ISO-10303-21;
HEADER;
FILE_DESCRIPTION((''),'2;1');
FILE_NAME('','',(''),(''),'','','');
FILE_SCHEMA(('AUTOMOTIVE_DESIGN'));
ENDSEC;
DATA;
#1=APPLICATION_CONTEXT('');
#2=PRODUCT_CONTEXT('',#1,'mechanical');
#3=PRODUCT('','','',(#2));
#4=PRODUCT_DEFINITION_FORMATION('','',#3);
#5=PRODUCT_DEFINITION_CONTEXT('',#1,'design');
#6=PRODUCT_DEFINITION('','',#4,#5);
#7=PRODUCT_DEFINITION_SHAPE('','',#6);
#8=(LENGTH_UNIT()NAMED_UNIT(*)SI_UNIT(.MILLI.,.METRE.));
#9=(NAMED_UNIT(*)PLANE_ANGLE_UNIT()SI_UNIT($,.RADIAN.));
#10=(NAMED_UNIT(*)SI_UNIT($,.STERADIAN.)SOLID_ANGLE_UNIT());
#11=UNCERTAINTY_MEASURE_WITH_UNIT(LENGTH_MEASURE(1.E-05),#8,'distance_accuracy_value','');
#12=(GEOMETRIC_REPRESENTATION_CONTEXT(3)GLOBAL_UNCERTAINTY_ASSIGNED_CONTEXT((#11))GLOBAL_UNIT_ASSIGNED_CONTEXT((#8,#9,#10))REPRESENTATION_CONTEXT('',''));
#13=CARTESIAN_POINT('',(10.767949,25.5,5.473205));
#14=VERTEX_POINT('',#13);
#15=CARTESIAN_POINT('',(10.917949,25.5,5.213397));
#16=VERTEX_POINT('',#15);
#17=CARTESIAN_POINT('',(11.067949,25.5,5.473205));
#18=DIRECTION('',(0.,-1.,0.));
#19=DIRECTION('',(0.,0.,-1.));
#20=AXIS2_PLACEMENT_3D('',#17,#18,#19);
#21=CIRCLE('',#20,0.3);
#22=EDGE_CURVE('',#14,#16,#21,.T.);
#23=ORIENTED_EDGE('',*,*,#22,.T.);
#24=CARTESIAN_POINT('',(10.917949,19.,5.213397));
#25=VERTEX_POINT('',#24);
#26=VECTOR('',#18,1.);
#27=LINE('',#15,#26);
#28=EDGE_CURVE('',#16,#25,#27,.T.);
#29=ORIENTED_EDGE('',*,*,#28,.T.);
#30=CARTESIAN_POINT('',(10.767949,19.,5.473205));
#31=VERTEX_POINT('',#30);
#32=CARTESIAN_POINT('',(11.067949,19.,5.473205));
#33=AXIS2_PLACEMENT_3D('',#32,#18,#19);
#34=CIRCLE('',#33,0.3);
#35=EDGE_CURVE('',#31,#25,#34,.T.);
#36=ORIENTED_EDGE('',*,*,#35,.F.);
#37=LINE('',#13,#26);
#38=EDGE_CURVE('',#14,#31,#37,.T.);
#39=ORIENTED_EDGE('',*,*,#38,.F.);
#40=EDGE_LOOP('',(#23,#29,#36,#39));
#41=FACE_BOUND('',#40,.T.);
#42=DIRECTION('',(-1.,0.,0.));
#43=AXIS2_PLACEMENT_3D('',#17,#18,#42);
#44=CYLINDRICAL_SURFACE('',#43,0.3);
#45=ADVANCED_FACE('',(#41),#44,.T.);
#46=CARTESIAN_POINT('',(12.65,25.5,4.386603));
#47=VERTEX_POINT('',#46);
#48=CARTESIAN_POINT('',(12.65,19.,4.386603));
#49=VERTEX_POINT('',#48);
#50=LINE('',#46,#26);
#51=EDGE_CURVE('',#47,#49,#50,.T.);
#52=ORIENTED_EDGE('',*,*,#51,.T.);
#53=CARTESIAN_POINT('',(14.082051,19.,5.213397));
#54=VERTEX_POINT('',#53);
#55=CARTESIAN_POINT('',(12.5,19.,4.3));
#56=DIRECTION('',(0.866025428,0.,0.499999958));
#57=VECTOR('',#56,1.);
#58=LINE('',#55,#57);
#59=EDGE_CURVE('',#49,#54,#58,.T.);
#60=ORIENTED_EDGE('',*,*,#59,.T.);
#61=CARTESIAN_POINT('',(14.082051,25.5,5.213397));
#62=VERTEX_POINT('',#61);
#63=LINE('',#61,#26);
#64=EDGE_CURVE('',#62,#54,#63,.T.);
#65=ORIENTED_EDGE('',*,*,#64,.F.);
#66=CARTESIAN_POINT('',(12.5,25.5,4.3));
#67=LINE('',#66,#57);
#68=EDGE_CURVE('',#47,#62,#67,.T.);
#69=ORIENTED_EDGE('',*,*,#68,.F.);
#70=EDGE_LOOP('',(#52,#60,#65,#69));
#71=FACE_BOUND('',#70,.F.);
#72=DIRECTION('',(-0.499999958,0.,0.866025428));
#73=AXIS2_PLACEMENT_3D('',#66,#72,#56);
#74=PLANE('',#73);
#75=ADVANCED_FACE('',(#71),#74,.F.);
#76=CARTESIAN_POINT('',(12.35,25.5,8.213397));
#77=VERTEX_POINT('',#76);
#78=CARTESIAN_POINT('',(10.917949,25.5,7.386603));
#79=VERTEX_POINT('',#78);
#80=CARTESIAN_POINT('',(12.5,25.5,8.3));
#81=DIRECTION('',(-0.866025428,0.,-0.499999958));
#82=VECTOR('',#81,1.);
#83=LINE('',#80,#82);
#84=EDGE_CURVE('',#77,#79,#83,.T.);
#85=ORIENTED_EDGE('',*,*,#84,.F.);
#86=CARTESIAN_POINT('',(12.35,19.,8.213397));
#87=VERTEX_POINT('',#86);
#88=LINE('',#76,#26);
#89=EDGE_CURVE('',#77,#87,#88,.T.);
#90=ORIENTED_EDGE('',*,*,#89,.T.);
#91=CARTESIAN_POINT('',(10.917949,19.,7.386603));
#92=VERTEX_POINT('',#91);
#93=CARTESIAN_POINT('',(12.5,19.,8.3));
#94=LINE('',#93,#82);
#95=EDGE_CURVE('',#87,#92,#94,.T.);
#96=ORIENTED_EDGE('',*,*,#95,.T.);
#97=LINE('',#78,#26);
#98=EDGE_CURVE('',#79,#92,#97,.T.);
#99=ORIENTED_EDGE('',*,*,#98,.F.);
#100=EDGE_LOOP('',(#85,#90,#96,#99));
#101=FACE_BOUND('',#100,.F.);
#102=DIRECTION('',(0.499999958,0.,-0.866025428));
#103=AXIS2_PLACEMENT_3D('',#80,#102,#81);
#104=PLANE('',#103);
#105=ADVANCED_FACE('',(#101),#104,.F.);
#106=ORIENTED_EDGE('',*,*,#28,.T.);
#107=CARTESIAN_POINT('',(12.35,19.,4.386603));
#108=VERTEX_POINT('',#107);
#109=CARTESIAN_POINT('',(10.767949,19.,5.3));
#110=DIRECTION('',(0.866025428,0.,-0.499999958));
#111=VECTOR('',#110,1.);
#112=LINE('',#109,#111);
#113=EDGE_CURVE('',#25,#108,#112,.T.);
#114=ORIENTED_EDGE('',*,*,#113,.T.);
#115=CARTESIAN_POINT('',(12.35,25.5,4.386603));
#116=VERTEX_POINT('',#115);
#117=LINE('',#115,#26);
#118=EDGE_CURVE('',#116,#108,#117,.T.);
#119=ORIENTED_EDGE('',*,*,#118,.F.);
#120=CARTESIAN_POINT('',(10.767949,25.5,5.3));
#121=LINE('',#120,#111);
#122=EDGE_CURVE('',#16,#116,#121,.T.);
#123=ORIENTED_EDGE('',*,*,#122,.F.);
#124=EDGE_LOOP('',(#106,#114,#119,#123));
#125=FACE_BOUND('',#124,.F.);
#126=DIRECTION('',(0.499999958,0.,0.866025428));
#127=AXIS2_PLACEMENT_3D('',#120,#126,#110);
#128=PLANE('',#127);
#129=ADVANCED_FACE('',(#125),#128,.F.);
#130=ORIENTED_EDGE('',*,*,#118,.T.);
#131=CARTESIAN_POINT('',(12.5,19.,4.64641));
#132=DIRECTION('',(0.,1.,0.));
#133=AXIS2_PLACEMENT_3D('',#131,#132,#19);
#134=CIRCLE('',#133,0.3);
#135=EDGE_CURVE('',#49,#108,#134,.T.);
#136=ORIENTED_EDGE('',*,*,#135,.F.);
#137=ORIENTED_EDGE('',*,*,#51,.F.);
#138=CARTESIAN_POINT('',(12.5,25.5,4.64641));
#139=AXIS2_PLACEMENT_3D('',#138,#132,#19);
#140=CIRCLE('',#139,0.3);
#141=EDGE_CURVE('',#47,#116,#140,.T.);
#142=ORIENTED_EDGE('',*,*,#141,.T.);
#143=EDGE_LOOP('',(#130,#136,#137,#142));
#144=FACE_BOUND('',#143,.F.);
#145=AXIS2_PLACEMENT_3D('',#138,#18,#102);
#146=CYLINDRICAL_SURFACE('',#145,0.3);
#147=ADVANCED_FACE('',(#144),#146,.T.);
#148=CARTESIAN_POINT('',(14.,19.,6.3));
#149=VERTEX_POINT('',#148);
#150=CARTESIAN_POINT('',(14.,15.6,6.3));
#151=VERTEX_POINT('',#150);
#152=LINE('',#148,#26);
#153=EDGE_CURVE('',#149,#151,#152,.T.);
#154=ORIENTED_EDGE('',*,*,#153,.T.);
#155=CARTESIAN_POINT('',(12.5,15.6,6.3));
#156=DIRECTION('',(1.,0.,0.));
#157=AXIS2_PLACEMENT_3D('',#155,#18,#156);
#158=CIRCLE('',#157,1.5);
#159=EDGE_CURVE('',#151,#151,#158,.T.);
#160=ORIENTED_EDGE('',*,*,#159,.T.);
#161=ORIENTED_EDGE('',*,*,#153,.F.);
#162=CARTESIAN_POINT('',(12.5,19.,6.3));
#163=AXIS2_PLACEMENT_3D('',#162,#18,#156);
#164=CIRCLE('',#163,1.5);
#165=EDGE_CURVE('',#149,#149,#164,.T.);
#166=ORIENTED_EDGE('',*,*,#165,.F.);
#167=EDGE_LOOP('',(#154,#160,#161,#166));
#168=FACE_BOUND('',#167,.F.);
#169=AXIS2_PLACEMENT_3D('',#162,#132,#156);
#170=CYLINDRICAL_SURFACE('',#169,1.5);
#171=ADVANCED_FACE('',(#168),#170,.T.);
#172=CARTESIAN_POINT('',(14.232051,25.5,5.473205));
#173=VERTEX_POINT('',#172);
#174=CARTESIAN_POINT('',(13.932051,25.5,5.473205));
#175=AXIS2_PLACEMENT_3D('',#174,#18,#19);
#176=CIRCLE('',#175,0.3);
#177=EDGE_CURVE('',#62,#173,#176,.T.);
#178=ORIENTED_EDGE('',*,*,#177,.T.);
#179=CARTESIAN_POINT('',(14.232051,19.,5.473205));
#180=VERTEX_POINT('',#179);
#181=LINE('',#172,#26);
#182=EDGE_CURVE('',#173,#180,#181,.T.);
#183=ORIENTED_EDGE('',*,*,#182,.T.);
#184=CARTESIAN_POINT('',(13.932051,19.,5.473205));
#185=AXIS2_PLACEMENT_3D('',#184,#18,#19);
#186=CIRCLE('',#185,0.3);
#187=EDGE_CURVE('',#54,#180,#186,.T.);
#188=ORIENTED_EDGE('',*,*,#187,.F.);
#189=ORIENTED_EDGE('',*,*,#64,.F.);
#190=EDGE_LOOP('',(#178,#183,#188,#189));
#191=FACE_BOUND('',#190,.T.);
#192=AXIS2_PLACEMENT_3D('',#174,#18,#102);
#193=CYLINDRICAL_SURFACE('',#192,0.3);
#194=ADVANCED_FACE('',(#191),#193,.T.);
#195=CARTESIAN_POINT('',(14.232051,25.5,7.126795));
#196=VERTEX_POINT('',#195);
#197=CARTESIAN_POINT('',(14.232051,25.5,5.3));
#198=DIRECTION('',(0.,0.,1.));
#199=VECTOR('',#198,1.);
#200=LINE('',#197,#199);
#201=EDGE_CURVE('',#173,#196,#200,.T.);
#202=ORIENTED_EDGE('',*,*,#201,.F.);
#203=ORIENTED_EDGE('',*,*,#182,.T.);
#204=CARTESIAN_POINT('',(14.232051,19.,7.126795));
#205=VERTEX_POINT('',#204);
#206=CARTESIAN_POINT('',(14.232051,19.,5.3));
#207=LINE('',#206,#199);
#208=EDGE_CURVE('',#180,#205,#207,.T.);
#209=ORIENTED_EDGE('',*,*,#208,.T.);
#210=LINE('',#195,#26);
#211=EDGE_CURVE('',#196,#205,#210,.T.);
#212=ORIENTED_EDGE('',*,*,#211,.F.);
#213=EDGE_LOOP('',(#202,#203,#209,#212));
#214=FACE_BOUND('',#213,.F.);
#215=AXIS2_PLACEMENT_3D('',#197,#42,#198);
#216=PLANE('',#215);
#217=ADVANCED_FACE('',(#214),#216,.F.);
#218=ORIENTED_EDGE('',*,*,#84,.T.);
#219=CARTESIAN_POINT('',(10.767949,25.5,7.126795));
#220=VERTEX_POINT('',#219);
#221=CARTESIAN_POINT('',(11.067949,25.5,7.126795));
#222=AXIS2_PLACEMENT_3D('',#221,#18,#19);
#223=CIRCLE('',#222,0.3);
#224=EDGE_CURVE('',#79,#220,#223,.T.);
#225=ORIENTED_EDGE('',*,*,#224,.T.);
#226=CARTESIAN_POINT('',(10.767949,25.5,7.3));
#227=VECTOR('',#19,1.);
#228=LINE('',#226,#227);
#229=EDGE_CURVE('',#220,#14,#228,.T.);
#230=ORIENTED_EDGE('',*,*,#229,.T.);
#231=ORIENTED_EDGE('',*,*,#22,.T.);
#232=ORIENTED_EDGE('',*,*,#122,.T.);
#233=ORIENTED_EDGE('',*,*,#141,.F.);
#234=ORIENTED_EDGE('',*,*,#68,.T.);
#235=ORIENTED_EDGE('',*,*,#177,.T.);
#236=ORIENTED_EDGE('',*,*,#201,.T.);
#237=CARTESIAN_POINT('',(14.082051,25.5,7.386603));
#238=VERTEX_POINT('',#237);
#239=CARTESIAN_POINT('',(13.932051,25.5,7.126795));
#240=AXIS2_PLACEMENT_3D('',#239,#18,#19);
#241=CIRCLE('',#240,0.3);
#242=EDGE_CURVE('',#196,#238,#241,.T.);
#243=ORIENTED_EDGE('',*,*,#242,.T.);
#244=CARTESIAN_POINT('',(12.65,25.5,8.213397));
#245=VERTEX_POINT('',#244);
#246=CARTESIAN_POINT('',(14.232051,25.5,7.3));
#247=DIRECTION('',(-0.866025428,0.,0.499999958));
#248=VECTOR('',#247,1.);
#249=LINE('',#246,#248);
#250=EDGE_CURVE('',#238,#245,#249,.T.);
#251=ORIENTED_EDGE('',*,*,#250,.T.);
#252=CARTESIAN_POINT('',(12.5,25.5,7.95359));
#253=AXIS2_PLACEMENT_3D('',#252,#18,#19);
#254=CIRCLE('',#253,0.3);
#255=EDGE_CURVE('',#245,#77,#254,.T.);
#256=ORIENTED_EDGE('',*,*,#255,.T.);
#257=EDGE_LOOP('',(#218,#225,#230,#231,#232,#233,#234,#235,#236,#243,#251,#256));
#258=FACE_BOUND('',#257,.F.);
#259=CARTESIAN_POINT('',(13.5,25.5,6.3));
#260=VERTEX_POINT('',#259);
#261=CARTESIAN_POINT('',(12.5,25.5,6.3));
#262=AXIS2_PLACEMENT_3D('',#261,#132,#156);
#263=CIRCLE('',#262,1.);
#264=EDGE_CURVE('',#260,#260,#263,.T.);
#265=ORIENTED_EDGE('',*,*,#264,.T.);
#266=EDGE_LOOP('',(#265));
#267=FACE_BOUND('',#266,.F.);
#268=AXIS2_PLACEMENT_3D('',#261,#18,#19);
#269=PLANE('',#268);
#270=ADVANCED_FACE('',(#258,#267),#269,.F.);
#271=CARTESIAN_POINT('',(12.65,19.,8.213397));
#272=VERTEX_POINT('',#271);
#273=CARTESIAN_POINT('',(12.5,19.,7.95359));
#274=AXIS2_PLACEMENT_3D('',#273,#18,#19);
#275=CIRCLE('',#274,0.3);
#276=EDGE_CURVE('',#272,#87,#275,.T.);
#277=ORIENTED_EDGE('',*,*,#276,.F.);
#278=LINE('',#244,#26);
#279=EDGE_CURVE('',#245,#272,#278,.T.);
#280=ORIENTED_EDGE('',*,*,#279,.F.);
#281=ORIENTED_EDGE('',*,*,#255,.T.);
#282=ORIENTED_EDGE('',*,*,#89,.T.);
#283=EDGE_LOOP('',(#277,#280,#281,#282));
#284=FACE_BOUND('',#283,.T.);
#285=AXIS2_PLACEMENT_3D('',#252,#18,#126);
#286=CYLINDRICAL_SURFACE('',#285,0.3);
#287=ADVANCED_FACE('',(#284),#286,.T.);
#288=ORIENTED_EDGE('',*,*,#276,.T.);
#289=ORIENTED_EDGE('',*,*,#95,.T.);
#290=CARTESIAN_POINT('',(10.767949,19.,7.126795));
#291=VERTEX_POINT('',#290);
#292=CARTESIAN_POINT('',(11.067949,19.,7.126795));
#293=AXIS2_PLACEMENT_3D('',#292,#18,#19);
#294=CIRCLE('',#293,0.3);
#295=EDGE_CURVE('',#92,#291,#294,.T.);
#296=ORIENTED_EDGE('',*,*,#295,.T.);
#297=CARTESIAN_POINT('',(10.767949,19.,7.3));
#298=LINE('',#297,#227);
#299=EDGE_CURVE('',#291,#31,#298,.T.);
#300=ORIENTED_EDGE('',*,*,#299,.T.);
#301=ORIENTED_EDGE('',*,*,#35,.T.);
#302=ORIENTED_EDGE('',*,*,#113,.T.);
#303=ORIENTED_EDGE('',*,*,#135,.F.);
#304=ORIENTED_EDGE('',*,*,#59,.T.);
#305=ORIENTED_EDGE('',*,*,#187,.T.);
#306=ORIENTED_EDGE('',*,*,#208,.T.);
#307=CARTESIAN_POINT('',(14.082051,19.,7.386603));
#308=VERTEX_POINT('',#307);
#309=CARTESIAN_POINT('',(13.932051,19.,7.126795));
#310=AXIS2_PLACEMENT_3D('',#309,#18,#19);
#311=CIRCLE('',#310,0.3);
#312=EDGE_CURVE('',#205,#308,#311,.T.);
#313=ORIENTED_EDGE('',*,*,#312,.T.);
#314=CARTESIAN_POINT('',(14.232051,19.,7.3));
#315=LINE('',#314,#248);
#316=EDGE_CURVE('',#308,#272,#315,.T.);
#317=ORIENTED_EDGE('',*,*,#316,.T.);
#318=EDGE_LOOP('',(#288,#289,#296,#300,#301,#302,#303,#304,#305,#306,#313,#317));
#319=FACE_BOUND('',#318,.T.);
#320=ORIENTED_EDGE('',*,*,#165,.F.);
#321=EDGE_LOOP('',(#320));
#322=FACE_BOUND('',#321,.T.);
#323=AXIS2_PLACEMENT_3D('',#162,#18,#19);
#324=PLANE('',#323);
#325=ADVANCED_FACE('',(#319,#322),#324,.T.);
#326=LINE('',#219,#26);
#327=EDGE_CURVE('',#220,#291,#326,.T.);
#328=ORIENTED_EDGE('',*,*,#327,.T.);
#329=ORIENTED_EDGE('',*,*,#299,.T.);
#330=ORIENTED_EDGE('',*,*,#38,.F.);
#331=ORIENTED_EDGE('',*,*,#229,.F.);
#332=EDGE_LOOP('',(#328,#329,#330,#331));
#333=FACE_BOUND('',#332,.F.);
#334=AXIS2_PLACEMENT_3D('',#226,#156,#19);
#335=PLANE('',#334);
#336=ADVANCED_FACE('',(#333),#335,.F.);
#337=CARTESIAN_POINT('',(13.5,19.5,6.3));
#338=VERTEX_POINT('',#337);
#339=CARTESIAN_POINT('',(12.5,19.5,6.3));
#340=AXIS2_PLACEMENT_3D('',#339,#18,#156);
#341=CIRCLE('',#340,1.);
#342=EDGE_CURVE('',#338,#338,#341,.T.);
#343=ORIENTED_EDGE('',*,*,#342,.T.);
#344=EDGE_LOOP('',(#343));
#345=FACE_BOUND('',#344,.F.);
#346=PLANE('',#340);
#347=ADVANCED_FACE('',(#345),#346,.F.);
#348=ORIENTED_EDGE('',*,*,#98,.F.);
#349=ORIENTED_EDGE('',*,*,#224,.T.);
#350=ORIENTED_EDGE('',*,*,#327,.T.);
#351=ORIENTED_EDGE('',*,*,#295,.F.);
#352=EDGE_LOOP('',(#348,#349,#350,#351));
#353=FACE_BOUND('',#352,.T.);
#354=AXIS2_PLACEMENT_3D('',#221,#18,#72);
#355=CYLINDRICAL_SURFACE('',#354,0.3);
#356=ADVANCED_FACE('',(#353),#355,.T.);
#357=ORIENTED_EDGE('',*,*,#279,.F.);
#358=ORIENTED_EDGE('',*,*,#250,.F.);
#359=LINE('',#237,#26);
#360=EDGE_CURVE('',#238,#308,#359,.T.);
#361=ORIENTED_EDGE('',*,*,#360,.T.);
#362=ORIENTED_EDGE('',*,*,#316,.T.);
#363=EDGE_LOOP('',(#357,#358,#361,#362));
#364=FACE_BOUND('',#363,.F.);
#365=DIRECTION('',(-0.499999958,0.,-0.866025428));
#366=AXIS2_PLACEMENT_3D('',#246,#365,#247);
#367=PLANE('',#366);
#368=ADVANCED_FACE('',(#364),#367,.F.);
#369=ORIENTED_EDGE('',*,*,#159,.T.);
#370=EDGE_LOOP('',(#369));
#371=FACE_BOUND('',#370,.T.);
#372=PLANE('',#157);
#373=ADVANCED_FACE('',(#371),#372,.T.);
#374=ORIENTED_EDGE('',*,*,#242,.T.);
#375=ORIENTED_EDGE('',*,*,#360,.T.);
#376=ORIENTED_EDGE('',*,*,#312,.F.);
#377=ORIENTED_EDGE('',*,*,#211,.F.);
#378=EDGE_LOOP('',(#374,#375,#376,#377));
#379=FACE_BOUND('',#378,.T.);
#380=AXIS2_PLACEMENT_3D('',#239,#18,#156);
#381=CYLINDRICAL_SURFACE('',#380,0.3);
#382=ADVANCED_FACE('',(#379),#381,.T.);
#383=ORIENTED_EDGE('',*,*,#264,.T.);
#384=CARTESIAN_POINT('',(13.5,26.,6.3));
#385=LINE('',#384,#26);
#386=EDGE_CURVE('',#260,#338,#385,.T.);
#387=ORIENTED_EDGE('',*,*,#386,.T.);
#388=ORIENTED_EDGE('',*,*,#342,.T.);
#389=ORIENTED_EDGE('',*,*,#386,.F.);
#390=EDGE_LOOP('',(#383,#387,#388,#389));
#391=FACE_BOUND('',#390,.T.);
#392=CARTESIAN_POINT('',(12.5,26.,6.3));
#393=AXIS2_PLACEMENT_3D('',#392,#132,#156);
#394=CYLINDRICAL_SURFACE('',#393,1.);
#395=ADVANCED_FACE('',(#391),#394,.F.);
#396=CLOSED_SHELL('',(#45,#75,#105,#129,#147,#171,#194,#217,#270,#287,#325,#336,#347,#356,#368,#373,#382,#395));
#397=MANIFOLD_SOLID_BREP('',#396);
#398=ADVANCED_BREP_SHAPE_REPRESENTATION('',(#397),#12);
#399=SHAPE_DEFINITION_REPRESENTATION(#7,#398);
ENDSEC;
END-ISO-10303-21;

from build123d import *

# Parameters (mm, degrees)
PRISM_DEPTH       = 6.5
FILLET017_R       = 0.3
CYLINDER010_R     = 1.5
CYLINDER010_DEPTH = 3.4
CYLINDER011_R     = 1
CYLINDER011_DEPTH = 6.5


with BuildPart() as part:
    # Prism → Prism (join)
    with BuildSketch(Plane(origin=(12.5, 25.5, 6.3), x_dir=(0, 0, -1), z_dir=(0, -1, 0))):
        Polygon((2, 0), (1, 1.732051), (-1, 1.732051), (-2, 0), (-1, -1.732051), (1, -1.732051), align=None)
    extrude(amount=PRISM_DEPTH)

    # Fillet017
    fillet017_edges = [part.edges().sort_by_distance(p)[0] for p in [
        (12.5, 22.25, 8.3),
        (14.232051, 22.25, 7.3),
        (10.767949, 22.25, 7.3),
        (14.232051, 22.25, 5.3),
        (12.5, 22.25, 4.3),
        (10.767949, 22.25, 5.3),
    ]]
    fillet(fillet017_edges, radius=FILLET017_R)

    # Cylinder010 → Cylinder010 (join)
    with BuildSketch(Plane(origin=(12.5, 19, 6.3), x_dir=(1, 0, 0), z_dir=(0, -1, 0))):
        Circle(CYLINDER010_R)
    extrude(amount=CYLINDER010_DEPTH)

    # Cylinder011 → Cylinder011 (cut)
    with BuildSketch(Plane(origin=(12.5, 26, 6.3), x_dir=(1, 0, 0), z_dir=(0, -1, 0))):
        Circle(CYLINDER011_R)
    extrude(amount=CYLINDER011_DEPTH, mode=Mode.SUBTRACT)


solid = part.part
